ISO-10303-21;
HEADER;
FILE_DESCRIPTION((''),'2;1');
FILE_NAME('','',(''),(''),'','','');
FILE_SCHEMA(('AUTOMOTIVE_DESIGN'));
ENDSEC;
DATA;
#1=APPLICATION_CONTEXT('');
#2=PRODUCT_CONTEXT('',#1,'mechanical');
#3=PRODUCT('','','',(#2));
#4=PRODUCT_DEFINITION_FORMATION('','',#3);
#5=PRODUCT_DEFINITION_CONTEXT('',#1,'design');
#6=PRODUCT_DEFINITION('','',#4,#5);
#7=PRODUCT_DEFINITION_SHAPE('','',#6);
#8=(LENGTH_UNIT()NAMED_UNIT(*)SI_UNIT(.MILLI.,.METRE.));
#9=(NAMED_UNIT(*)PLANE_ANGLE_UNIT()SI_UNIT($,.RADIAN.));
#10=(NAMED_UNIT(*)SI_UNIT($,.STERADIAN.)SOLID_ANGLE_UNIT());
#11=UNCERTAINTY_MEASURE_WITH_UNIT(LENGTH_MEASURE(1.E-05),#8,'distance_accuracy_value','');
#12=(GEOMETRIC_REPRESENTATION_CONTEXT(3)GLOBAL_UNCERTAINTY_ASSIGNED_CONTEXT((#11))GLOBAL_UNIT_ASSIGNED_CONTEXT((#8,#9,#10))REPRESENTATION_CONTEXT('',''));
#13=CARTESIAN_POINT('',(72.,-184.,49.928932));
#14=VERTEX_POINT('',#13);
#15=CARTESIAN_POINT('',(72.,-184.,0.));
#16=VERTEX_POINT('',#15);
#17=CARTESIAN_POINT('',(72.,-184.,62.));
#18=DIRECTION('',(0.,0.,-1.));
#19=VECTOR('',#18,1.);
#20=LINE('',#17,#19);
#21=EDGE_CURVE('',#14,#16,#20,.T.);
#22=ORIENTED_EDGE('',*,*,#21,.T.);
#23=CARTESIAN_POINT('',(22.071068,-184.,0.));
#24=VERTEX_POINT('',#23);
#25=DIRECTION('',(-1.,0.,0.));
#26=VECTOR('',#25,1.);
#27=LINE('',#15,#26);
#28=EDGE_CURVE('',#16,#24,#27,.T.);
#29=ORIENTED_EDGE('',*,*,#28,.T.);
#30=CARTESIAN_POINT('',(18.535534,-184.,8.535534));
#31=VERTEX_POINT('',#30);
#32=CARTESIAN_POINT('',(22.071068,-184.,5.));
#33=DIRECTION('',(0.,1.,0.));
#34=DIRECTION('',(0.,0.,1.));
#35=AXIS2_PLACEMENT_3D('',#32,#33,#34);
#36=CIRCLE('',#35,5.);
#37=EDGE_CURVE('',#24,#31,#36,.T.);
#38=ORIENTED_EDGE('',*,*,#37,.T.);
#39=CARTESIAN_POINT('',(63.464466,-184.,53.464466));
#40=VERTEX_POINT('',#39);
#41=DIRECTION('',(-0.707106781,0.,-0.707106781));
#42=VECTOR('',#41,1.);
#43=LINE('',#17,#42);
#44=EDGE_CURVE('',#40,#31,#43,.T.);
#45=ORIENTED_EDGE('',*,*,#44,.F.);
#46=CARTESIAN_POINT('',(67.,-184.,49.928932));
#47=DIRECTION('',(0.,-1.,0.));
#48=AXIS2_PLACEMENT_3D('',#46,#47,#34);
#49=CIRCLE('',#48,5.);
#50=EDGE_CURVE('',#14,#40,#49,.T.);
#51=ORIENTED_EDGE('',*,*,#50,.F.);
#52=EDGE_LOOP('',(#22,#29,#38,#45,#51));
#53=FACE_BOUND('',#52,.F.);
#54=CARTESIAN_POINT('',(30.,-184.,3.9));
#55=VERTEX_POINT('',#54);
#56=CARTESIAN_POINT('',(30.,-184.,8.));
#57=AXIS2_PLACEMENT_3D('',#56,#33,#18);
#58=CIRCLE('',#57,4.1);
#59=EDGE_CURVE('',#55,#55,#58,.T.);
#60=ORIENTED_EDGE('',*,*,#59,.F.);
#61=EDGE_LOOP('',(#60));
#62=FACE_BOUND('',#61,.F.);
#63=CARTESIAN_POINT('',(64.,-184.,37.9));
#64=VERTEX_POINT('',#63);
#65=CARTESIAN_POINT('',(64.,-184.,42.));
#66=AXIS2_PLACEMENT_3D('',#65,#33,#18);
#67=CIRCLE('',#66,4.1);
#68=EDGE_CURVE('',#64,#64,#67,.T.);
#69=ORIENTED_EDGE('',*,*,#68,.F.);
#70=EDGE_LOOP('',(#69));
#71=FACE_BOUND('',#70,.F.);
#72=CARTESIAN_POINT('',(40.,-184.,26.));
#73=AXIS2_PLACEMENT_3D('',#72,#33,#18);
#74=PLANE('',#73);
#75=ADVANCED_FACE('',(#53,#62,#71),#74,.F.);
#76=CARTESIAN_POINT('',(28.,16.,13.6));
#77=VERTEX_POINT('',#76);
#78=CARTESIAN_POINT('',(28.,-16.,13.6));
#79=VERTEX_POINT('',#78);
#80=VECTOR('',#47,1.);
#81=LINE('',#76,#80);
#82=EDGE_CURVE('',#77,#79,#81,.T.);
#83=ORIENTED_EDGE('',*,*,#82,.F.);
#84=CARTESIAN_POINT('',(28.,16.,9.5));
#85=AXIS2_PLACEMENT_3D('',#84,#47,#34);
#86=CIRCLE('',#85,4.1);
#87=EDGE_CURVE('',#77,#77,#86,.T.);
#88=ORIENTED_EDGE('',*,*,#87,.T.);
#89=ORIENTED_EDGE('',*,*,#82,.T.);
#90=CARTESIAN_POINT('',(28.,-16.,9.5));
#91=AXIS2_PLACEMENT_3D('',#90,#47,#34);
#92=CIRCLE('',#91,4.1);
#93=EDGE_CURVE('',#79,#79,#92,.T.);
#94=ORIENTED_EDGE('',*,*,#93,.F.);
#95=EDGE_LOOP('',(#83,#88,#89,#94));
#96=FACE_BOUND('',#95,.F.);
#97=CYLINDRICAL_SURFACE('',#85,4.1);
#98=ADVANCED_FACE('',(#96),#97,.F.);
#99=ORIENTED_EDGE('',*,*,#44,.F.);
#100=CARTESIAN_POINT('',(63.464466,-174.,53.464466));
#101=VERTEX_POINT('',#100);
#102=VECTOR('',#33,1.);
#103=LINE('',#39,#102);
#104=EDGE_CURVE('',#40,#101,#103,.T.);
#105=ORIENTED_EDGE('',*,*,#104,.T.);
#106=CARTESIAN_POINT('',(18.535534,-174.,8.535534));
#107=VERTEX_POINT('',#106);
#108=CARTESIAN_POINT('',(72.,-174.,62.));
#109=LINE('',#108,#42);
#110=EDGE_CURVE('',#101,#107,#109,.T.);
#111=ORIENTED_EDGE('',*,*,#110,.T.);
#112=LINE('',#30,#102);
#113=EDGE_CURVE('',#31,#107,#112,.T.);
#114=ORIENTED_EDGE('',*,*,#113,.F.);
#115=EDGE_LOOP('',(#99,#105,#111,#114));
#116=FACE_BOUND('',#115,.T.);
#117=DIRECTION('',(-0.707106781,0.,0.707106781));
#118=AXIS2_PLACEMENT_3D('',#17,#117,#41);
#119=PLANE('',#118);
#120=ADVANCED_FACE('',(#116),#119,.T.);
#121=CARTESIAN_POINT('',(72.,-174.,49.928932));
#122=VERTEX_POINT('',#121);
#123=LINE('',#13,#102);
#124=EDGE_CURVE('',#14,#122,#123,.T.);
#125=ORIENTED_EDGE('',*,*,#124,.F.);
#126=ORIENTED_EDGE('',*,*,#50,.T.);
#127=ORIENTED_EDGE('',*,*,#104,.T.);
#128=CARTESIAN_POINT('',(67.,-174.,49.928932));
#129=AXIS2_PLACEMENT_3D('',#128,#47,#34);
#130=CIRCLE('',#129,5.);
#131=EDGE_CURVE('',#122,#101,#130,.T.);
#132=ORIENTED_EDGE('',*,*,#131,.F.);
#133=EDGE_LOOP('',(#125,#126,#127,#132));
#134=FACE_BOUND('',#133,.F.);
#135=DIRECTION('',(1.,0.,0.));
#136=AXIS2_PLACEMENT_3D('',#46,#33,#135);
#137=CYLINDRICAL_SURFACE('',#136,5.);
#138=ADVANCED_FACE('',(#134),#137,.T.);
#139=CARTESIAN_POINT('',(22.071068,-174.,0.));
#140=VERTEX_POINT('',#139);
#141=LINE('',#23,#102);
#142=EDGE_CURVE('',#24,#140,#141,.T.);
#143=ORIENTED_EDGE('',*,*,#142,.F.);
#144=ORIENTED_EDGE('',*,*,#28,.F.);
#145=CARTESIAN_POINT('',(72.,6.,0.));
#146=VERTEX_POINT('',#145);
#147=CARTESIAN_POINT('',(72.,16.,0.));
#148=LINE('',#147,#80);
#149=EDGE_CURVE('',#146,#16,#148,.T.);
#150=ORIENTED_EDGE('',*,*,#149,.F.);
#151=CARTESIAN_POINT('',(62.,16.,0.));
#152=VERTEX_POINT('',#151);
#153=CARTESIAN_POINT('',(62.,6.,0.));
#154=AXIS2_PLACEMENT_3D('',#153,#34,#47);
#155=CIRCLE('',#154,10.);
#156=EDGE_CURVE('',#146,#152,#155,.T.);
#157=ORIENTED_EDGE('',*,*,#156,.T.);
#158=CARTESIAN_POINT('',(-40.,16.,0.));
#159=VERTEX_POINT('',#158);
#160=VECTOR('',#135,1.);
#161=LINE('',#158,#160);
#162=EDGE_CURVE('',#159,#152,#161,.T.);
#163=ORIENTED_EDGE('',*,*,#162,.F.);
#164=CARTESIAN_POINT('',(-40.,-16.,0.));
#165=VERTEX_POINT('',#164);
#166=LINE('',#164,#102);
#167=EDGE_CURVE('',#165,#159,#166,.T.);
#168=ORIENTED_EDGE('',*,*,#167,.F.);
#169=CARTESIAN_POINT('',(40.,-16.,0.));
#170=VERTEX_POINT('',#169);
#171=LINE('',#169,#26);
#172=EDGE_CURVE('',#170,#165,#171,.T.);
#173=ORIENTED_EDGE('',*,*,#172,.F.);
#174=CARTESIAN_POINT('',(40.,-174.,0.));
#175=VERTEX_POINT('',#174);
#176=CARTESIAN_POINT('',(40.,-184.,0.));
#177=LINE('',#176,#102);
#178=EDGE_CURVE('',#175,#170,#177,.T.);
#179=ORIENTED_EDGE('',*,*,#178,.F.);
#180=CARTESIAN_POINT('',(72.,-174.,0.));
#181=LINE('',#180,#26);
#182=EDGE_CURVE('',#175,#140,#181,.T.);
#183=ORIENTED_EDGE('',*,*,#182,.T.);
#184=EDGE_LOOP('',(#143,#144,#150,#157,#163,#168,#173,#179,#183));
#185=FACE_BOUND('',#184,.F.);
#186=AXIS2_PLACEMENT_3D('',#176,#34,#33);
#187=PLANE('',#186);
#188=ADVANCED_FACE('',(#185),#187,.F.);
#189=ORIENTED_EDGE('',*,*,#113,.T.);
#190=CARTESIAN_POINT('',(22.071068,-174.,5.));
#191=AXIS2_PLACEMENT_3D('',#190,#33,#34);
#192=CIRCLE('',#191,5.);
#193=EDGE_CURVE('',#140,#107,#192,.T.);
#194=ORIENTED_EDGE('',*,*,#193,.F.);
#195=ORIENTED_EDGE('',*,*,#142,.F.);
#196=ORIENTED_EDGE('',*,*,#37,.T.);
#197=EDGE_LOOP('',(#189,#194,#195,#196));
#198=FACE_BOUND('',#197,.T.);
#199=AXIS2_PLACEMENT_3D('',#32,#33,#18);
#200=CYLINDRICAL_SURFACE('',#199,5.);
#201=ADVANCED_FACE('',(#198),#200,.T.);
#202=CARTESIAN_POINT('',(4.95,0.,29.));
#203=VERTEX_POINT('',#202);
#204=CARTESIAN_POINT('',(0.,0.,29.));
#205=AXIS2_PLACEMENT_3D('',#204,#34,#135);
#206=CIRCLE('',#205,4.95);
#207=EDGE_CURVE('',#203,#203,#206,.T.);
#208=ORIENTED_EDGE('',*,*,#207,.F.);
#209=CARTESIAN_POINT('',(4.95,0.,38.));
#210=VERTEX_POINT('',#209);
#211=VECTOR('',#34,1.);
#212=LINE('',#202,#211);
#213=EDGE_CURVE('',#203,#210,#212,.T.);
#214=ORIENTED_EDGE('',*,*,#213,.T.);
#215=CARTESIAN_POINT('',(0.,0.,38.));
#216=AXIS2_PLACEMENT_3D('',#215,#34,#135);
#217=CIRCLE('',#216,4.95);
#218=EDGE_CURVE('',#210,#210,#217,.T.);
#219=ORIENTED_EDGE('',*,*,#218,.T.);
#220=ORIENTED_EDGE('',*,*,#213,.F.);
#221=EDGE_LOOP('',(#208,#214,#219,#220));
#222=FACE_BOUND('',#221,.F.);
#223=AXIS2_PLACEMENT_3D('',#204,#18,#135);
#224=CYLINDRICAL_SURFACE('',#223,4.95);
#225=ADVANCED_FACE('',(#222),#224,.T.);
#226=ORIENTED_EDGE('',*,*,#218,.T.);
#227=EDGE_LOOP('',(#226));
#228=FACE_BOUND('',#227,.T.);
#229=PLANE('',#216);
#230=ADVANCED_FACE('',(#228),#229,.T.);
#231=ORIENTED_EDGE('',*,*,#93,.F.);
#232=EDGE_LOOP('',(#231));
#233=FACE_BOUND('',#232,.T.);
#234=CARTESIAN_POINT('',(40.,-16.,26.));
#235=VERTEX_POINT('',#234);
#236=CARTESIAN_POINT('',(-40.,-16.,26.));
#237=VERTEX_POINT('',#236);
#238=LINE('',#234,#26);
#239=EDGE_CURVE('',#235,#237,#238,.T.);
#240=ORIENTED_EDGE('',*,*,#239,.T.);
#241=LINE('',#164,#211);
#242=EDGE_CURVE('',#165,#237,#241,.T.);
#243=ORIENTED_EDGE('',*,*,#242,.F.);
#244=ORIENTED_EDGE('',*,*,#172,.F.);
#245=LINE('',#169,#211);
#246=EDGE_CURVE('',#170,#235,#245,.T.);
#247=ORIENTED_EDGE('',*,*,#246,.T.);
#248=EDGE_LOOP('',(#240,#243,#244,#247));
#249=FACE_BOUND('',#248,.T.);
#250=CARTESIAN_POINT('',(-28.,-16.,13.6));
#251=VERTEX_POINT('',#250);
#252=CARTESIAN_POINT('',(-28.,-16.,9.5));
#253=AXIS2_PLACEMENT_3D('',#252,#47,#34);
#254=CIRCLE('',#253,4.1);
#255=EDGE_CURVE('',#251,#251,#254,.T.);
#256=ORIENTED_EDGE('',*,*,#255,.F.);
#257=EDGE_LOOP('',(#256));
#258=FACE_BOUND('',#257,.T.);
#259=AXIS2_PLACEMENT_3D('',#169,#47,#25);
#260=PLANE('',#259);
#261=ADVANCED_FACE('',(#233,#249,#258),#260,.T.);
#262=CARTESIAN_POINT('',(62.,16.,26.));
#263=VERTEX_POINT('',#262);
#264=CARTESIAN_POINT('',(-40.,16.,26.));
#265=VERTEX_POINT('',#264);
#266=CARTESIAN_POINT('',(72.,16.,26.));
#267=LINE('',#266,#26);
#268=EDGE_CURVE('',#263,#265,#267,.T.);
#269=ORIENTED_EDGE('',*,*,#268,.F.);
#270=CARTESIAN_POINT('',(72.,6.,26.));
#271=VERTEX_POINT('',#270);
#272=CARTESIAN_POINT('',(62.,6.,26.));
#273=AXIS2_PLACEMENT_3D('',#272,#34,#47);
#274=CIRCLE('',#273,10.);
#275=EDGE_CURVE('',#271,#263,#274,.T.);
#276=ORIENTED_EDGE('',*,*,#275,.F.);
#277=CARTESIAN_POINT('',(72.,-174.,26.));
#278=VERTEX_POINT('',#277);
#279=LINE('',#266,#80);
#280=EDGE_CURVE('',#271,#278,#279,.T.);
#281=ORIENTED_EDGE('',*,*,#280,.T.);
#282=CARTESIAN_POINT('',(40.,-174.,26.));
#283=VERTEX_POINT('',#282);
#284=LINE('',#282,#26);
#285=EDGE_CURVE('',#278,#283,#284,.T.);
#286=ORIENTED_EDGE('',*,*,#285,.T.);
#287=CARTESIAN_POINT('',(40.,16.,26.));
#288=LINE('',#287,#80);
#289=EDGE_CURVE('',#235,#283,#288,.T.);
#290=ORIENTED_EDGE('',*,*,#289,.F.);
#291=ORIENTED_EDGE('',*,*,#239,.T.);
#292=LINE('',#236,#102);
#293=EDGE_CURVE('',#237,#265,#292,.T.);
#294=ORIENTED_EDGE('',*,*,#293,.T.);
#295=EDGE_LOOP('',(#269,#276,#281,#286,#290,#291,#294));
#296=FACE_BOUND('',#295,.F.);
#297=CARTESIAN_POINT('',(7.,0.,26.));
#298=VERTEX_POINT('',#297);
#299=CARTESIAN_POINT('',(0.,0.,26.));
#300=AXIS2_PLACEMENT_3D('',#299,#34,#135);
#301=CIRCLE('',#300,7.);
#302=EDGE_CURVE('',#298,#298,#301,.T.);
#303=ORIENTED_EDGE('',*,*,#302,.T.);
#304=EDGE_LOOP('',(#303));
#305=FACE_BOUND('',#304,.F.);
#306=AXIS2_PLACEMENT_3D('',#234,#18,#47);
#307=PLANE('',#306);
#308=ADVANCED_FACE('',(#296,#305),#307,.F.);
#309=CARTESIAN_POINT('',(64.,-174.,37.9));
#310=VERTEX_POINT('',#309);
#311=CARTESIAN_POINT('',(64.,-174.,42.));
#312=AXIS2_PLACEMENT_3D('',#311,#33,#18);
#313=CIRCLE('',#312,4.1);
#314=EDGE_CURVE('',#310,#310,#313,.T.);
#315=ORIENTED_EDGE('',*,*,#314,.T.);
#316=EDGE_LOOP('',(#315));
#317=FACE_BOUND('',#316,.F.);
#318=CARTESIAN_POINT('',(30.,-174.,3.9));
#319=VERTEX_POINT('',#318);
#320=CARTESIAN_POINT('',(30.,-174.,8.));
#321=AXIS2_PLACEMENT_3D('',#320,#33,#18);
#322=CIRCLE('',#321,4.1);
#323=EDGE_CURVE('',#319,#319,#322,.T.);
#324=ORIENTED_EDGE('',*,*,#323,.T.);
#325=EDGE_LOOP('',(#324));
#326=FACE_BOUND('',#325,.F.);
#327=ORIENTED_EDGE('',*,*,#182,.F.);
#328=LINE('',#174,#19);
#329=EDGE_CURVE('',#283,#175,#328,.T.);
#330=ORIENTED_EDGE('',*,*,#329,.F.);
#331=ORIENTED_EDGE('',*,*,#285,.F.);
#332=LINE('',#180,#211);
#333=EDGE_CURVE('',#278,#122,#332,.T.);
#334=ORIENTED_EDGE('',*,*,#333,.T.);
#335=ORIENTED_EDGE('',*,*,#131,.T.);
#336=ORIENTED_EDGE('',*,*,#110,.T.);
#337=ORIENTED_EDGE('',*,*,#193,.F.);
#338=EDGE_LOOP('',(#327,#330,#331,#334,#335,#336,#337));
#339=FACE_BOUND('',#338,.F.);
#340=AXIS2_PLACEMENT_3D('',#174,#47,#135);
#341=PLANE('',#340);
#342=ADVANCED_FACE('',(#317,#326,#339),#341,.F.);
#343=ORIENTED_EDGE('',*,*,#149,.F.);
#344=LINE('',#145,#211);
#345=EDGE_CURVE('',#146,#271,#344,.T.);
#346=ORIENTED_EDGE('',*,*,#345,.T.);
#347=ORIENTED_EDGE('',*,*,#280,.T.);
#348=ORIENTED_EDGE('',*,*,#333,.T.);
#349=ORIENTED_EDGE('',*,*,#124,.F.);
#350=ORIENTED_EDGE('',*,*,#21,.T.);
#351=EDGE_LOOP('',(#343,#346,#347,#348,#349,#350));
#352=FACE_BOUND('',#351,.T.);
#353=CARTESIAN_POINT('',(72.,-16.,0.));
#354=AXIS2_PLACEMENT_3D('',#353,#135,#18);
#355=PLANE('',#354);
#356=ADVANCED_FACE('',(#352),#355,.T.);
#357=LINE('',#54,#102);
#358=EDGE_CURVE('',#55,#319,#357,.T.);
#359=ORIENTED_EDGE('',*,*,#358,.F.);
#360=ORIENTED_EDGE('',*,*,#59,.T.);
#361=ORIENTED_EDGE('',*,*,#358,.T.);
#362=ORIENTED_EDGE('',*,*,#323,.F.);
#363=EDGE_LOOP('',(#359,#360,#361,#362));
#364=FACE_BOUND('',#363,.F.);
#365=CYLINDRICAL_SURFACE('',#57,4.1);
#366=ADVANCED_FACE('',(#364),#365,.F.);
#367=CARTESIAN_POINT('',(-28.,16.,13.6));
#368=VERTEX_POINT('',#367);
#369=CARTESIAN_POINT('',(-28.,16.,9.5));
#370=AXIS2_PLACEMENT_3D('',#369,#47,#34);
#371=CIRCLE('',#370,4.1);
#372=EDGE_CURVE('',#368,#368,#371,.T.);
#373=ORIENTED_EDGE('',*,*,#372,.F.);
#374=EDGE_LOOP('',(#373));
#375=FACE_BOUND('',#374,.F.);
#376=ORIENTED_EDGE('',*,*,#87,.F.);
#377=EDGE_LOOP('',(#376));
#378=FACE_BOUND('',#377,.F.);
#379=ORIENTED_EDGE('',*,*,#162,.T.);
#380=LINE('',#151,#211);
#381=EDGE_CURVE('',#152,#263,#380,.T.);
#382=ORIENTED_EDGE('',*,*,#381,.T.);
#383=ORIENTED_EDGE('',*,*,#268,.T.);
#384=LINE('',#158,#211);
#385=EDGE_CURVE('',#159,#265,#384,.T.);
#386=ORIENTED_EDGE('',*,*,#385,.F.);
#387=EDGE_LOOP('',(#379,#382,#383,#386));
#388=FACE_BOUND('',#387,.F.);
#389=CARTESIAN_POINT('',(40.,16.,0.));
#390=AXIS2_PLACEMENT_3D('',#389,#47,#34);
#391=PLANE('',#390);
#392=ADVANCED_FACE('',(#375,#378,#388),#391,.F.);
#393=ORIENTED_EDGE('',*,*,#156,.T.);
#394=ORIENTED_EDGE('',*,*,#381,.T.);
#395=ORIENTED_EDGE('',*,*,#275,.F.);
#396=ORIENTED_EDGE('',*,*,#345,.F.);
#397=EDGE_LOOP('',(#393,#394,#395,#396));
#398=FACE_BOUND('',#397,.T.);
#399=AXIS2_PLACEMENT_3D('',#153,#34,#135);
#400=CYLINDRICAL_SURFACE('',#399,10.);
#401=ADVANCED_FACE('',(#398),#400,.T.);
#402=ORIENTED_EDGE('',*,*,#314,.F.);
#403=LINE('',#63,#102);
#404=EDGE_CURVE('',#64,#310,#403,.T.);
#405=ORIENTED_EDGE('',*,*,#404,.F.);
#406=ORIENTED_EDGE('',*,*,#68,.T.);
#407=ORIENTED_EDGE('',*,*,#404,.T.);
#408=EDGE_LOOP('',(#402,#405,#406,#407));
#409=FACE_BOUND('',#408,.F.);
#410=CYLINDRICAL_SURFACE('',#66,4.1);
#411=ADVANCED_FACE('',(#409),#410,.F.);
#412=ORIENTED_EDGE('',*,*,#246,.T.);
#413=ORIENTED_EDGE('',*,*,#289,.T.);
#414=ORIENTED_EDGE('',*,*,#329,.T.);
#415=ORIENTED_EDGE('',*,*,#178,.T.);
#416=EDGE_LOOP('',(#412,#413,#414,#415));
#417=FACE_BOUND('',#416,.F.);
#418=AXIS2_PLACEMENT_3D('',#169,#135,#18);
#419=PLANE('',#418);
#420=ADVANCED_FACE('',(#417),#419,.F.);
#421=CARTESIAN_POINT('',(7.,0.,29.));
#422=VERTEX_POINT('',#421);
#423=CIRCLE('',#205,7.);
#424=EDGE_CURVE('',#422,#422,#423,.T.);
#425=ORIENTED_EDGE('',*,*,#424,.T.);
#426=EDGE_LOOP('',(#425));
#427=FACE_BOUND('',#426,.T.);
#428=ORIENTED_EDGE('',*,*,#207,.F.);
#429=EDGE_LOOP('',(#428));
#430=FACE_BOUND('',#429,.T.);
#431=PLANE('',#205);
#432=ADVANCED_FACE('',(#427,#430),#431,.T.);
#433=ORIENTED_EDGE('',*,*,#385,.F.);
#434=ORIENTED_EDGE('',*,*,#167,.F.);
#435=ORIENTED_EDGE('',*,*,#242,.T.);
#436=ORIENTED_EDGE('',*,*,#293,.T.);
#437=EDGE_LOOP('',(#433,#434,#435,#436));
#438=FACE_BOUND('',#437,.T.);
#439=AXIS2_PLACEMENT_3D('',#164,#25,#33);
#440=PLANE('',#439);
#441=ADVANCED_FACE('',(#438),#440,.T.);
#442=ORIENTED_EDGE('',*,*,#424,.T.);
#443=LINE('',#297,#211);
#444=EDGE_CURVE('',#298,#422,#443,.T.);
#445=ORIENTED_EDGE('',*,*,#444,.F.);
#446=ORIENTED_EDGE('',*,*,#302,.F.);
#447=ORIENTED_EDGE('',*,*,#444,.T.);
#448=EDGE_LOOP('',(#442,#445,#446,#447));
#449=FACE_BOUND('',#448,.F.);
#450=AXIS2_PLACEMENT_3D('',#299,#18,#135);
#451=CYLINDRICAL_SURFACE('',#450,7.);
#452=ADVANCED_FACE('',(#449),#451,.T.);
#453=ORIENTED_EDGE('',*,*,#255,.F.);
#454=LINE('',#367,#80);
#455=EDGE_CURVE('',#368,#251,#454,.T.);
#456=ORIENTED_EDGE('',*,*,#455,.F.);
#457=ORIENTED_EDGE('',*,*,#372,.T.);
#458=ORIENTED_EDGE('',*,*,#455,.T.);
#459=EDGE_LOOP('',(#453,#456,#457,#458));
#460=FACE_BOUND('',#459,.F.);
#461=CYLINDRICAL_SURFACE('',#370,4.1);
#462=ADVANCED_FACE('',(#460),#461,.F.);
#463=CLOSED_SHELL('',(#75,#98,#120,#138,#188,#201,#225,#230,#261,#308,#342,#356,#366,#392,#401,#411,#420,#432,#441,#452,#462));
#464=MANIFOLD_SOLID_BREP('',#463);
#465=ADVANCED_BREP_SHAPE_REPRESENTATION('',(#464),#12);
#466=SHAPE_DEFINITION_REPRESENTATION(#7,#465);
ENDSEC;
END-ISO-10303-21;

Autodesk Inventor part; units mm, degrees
ref_plane "YZ Plane" through (0, 0, 0) normal (1, 0, 0) x (0, 1, 0)
ref_plane "XZ Plane" through (0, 0, 0) normal (0, 1, 0) x (-1, 0, 0)
ref_plane "XY Plane" through (0, 0, 0) normal (0, 0, 1) x (1, 0, 0)
sketch "Sketch2" plane through (0, 0, 0) normal (0, 0, 1) x (1, 0, 0)
  line L0 (-40, 16) -> (40, 16)
  line L1 (40, 16) -> (40, -16)
  line L2 (40, -16) -> (-40, -16)
  line L3 (-40, -16) -> (-40, 16)
  line L4 (-40, 16) -> (40, -16) construction
  line L5 (40, 16) -> (-40, -16) construction
  point P0 (0, 0)
  dimension "d4" = 32
  dimension "d5" = 80
extrude "Extrusion1" add sketch "Sketch2" along normal blind 26
sketch "Sketch3" plane through (0, 0, 26) normal (0, 0, 1) x (1, 0, 0)
  circle A0 centre (0, 0) radius 7
  dimension "d8" = 14
extrude "Extrusion2" add sketch "Sketch3" along normal blind 3
sketch "Sketch4" plane through (0, 0, 29) normal (0, 0, 1) x (1, 0, 0)
  circle A0 centre (0, 0) radius 4.95
  dimension "d11" = 9.9
extrude "Extrusion3" add sketch "Sketch4" along normal blind 9
sketch "Sketch6" plane through (-40, 16, 0) normal (0, 1, 0) x (1, 0, 0)
  line L0 (12, -9.5) -> (0, -9.5) construction
  line L1 (0, 0) -> (0, -26) projected
  line L2 (68, -9.5) -> (80, -9.5) construction
  line L3 (80, 0) -> (80, -26) projected
  line L4 (80, 0) -> (0, 0) projected
  point P0 (40, 0)
  point P1 (74, -9.5)
  dimension "d29" = 56
  dimension "d30" = 9.5
hole "Hole3" at (-28, 16, 9.5) at (28, 16, 9.5) direction (0, -1, 0) diameter 8.2 end through all
sketch "Sketch7" plane through (-40, -16, 0) normal (0, -1, 0) x (1, 0, 0)
  line L0 (80, 0) -> (80, 26) projected
  line L1 (0, 0) -> (0, 26) projected
  line L2 (80, 0) -> (0, 26)
  point P0 (40, 0)
sketch "Sketch9" plane through (40, -16, 0) normal (1, 0, 0) x (0, 0, -1)
  line L0 (0, 0) -> (0, 32) projected
  line L1 (0, 32) -> (-26, 32)
  line L2 (-26, 32) -> (-26, -168)
  line L3 (-26, -168) -> (0, -168)
  line L4 (0, -168) -> (0, 32)
  line L5 (-26, 0) -> (-26, 32) projected
  point P0 (0, 16)
  dimension "d38" = 200
extrude "Extrusion4" add sketch "Sketch9" along normal blind 32
sketch "Sketch11" plane through (40, -184, 0) normal (0, -1, 0) x (1, 0, 0)
  line L0 (32, 0) -> (-30, 0)
  line L1 (32, 62) -> (-30, 0)
  line L2 (32, 0) -> (32, 62)
  point P0 (-40, 0)
  point P1 (0, 0)
  dimension "d43" = 62
  dimension "d44" = 62
extrude "Extrusion5" add sketch "Sketch11" against normal blind 10
fillet "Fillet1" radius 5 2 edges at (10, -179, 0) (72, -179, 62)
sketch "Sketch12" plane through (72, -184, 0) normal (0, -1, 0) x (1, 0, 0)
  line L0 (0, 0) -> (-32, 0)
  line L1 (-32, 0) -> (-32, 32)
  line L2 (-32, 32) -> (0, 32)
  line L3 (0, 32) -> (0, 0)
  circle A0 centre (-44, 9.5) radius 4.1 projected
  line L4 (-49.9289, 0) -> (0, 0) projected
  line L5 (0, 0) -> (0, 49.9289) projected
  point P0 (-72, 0)
  point P1 (-8, 42)
  point P2 (-42, 8)
  dimension "d48" = 32
  dimension "d49" = 32
  dimension "d50" = 8
  dimension "d51" = 10
  dimension "d52" = 10
  dimension "d53" = 8
hole "Hole4" at (64, -184, 42) at (30, -184, 8) direction (0, 1, 0) diameter 8.2 depth 20
fillet "Fillet2" radius 10 1 edges at (72, 16, 13)
properties part number "13042026-06"
